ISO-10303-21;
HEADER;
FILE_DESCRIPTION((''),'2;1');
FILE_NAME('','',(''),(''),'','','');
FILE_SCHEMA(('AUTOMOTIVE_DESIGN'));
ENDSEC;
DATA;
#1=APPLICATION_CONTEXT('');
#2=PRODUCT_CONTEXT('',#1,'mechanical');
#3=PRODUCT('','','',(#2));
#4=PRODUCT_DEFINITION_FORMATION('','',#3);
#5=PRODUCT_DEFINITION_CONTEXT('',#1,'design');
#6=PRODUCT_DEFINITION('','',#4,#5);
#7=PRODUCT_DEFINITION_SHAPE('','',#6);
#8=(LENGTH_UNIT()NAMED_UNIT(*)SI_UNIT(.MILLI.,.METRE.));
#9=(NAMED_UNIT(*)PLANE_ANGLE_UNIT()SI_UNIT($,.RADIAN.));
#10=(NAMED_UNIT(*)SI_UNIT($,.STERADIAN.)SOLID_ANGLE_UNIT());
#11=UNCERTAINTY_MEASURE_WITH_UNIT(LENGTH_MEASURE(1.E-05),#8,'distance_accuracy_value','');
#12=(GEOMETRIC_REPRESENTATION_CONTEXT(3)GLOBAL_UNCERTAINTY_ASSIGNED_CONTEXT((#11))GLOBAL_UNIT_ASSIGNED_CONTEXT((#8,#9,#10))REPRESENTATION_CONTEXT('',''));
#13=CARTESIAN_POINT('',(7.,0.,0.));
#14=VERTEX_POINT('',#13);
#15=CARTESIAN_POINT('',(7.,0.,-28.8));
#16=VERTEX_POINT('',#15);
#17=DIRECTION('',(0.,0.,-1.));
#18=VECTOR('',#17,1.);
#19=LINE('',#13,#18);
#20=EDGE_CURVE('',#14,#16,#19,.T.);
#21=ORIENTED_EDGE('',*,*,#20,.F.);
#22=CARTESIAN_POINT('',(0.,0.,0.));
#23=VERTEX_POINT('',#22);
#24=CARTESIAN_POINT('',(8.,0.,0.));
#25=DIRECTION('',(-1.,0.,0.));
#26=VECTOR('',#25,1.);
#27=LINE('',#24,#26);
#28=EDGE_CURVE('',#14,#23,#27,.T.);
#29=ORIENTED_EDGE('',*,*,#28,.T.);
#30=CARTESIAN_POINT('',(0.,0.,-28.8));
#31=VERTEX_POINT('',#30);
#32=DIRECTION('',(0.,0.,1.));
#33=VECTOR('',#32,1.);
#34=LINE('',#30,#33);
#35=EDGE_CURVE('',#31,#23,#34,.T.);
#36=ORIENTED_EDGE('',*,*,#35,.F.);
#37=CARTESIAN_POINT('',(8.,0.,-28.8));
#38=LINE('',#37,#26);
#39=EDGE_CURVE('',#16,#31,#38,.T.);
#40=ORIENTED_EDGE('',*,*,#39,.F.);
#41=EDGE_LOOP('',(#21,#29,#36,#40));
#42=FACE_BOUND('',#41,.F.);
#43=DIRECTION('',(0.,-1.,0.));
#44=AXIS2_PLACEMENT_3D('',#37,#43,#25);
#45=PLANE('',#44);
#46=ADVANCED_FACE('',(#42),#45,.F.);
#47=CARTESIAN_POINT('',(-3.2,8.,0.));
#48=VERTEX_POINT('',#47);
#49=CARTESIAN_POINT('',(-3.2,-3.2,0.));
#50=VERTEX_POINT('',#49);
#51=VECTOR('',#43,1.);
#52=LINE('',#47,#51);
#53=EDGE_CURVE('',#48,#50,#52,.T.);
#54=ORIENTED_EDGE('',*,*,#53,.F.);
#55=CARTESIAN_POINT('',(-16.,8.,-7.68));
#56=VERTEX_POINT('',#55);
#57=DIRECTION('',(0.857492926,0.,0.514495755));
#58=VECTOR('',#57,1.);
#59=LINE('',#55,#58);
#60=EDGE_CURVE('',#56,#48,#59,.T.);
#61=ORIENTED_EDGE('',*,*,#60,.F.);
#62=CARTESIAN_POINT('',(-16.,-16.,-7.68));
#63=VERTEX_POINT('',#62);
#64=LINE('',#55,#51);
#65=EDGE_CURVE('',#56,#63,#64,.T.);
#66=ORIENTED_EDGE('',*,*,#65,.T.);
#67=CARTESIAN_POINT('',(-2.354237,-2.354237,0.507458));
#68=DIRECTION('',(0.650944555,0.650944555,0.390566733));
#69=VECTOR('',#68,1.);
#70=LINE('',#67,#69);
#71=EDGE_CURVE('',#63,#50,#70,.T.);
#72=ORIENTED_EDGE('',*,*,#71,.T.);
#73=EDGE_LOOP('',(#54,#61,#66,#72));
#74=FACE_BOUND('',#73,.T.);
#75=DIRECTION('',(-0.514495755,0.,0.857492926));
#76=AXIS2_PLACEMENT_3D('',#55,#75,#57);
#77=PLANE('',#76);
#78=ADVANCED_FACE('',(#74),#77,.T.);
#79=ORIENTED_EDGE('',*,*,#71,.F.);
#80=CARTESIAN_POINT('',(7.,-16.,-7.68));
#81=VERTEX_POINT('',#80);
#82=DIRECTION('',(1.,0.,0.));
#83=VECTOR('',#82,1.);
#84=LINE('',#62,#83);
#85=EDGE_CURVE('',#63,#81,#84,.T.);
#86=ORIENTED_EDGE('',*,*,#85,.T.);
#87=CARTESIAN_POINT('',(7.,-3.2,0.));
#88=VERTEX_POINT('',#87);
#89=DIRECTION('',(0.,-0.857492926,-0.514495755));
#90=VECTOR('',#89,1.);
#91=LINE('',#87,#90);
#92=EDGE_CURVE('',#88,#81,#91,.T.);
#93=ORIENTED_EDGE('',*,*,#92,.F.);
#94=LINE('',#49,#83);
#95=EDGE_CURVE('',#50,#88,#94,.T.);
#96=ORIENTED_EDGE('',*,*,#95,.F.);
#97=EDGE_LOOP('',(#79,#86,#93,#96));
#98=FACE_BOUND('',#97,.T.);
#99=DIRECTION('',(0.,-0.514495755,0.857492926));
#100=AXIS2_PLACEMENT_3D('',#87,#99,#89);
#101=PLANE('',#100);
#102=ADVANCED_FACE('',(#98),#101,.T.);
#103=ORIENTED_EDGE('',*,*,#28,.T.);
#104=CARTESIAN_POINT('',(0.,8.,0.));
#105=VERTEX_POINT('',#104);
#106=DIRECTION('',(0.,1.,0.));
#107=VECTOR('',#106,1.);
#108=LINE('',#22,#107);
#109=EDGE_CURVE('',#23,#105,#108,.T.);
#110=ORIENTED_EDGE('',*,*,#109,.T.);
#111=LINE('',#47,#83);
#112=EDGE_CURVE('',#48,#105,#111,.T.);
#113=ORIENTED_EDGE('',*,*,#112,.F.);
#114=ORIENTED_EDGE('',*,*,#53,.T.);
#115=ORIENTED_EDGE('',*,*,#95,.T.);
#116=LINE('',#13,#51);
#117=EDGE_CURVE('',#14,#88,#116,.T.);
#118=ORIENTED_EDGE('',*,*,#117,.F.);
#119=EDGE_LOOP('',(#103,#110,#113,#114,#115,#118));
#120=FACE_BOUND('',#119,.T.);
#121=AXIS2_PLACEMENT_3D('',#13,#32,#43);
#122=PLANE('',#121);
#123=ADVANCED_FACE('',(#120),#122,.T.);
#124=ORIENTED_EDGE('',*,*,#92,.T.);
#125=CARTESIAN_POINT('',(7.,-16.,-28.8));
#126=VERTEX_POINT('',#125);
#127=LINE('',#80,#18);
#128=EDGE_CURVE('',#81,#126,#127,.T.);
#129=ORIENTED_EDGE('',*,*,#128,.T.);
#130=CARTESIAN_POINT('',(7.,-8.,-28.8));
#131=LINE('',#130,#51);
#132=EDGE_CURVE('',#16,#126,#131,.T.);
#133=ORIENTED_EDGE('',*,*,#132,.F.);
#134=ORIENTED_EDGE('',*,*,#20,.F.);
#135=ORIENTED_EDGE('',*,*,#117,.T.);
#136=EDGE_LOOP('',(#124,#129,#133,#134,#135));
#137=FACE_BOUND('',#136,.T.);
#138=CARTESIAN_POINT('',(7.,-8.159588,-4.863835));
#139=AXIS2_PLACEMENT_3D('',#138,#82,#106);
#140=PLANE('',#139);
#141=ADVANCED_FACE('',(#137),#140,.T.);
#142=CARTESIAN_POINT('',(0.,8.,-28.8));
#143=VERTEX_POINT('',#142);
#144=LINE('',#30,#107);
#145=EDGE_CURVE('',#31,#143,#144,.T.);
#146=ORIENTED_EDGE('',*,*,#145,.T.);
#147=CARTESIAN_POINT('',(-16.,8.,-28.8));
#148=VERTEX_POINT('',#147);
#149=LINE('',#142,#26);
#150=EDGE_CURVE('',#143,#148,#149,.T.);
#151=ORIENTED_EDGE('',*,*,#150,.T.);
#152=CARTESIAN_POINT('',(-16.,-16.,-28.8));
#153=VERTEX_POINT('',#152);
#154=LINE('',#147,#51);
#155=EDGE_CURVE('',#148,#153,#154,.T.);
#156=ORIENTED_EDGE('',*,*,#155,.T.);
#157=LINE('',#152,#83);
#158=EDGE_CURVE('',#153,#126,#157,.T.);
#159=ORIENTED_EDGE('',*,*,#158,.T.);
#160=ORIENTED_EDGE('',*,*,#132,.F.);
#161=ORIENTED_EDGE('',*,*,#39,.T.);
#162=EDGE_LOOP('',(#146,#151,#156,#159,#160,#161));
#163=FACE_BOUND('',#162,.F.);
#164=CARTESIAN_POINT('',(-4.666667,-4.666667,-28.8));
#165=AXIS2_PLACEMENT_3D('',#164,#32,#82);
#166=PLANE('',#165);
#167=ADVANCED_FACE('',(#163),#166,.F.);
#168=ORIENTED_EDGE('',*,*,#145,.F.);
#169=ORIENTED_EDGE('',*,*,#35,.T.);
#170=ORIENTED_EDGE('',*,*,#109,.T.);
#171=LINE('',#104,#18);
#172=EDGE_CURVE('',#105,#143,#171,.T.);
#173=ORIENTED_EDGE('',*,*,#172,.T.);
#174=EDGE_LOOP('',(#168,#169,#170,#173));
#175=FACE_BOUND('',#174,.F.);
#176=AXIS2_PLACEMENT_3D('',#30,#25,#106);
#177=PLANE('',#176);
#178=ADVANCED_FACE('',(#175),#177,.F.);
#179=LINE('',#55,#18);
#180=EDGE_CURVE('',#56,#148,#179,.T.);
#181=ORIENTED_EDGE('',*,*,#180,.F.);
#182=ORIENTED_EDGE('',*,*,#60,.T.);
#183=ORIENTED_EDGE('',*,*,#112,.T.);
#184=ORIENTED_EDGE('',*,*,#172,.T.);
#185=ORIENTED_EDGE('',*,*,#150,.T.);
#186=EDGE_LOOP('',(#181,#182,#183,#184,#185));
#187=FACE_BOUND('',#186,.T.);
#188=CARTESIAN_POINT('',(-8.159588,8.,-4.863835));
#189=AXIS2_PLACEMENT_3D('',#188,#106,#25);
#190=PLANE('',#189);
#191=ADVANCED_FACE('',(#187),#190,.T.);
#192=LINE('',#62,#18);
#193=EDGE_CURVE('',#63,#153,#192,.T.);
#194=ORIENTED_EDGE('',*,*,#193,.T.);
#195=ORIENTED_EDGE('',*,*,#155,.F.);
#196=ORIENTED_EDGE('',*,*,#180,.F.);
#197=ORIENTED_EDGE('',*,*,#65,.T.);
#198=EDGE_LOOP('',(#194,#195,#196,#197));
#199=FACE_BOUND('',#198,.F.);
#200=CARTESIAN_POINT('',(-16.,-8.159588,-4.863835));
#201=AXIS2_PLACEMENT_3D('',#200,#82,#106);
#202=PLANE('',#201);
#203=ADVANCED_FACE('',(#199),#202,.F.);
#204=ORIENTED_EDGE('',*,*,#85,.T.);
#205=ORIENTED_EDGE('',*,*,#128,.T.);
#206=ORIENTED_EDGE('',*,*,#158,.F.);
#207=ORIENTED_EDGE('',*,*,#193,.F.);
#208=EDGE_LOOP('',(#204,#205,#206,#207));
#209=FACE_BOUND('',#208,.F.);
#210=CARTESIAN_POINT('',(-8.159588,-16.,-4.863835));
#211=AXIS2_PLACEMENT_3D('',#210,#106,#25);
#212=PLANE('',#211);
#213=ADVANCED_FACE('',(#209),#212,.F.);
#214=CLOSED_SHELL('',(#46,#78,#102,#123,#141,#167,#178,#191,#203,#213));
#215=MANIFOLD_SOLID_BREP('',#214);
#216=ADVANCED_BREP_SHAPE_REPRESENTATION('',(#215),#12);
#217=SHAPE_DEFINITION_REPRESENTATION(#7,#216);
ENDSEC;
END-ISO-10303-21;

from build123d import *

# Parameters (mm, degrees)
PAD014_DEPTH    = 28.8
POCKET011_DEPTH = 24
POCKET012_DEPTH = 24
SKETCH112_W     = 1
SKETCH112_H     = 16
POCKET028_DEPTH = 30
PAD141_DEPTH    = 23
PAD142_DEPTH    = 24
POCKET056_DEPTH = 24
POCKET057_DEPTH = 23


with BuildPart() as part:
    # Sketch025 (on Face52 of Binder010) → Pad014 (new body)
    with BuildSketch(Plane.XY.offset(-28.8)):
        Polygon((0, 0), (0, 8), (-16, 8), (-16, -16), (8, -16), (8, 0), align=None)
    extrude(amount=PAD014_DEPTH)

    # Sketch026 (on Face5 of Pad014) → Pocket011 (cut)
    with BuildSketch(Plane.YZ.offset(8)):
        Polygon((-16, -9.6), (0, 0), (-16, 0), align=None)
    extrude(amount=-POCKET011_DEPTH, mode=Mode.SUBTRACT)

    # Sketch027 (on Face3 of Pocket011) → Pocket012 (cut)
    with BuildSketch(Plane(origin=(0, 8, 0), x_dir=(-1, 0, 0), z_dir=(0, 1, 0))):
        Polygon((16, -9.6), (0, 0), (16, 0), align=None)
    extrude(amount=-POCKET012_DEPTH, mode=Mode.SUBTRACT)

    # Sketch112 (on Face4 of Pocket012) → Pocket028 (cut)
    with BuildSketch(Plane(origin=(0, 0, -28.8), x_dir=(1, 0, 0), z_dir=(0, 0, -1))):
        with Locations((7.5, 8)):
            Rectangle(SKETCH112_W, SKETCH112_H)
    extrude(amount=-POCKET028_DEPTH, mode=Mode.SUBTRACT)

    # Sketch137 (on Face7 of Pocket028) → Pad141 (join)
    with BuildSketch(Plane.YZ.offset(7)):
        Polygon((0, 0), (-3.2, 0), (-16, -7.68), (-16, -10.88), (-3.2, -3.2), (0, -3.2), align=None)
    extrude(amount=-PAD141_DEPTH)

    # Sketch167 → Pad142 (join)
    with BuildSketch(Plane(origin=(0, 8, 0), x_dir=(-1, 0, 0), z_dir=(0, 1, 0))):
        Polygon((0, 0), (0, -3.2), (3.2, -3.2), (16, -10.88), (16, -7.68), (3.2, 0), align=None)
    extrude(amount=-PAD142_DEPTH)

    # Sketch170 (on Face9 of Pad142) → Pocket056 (cut)
    with BuildSketch(Plane(origin=(0, 8, 0), x_dir=(-1, 0, 0), z_dir=(0, 1, 0))):
        Polygon((3.2, 0), (16, -7.68), (16, 0), align=None)
    extrude(amount=-POCKET056_DEPTH, mode=Mode.SUBTRACT)

    # Sketch171 (on Face3 of Pocket056) → Pocket057 (cut)
    with BuildSketch(Plane.YZ.offset(7)):
        Polygon((-3.2, 0), (-16, -7.68), (-16, 0), align=None)
    extrude(amount=-POCKET057_DEPTH, mode=Mode.SUBTRACT)


solid = part.part
